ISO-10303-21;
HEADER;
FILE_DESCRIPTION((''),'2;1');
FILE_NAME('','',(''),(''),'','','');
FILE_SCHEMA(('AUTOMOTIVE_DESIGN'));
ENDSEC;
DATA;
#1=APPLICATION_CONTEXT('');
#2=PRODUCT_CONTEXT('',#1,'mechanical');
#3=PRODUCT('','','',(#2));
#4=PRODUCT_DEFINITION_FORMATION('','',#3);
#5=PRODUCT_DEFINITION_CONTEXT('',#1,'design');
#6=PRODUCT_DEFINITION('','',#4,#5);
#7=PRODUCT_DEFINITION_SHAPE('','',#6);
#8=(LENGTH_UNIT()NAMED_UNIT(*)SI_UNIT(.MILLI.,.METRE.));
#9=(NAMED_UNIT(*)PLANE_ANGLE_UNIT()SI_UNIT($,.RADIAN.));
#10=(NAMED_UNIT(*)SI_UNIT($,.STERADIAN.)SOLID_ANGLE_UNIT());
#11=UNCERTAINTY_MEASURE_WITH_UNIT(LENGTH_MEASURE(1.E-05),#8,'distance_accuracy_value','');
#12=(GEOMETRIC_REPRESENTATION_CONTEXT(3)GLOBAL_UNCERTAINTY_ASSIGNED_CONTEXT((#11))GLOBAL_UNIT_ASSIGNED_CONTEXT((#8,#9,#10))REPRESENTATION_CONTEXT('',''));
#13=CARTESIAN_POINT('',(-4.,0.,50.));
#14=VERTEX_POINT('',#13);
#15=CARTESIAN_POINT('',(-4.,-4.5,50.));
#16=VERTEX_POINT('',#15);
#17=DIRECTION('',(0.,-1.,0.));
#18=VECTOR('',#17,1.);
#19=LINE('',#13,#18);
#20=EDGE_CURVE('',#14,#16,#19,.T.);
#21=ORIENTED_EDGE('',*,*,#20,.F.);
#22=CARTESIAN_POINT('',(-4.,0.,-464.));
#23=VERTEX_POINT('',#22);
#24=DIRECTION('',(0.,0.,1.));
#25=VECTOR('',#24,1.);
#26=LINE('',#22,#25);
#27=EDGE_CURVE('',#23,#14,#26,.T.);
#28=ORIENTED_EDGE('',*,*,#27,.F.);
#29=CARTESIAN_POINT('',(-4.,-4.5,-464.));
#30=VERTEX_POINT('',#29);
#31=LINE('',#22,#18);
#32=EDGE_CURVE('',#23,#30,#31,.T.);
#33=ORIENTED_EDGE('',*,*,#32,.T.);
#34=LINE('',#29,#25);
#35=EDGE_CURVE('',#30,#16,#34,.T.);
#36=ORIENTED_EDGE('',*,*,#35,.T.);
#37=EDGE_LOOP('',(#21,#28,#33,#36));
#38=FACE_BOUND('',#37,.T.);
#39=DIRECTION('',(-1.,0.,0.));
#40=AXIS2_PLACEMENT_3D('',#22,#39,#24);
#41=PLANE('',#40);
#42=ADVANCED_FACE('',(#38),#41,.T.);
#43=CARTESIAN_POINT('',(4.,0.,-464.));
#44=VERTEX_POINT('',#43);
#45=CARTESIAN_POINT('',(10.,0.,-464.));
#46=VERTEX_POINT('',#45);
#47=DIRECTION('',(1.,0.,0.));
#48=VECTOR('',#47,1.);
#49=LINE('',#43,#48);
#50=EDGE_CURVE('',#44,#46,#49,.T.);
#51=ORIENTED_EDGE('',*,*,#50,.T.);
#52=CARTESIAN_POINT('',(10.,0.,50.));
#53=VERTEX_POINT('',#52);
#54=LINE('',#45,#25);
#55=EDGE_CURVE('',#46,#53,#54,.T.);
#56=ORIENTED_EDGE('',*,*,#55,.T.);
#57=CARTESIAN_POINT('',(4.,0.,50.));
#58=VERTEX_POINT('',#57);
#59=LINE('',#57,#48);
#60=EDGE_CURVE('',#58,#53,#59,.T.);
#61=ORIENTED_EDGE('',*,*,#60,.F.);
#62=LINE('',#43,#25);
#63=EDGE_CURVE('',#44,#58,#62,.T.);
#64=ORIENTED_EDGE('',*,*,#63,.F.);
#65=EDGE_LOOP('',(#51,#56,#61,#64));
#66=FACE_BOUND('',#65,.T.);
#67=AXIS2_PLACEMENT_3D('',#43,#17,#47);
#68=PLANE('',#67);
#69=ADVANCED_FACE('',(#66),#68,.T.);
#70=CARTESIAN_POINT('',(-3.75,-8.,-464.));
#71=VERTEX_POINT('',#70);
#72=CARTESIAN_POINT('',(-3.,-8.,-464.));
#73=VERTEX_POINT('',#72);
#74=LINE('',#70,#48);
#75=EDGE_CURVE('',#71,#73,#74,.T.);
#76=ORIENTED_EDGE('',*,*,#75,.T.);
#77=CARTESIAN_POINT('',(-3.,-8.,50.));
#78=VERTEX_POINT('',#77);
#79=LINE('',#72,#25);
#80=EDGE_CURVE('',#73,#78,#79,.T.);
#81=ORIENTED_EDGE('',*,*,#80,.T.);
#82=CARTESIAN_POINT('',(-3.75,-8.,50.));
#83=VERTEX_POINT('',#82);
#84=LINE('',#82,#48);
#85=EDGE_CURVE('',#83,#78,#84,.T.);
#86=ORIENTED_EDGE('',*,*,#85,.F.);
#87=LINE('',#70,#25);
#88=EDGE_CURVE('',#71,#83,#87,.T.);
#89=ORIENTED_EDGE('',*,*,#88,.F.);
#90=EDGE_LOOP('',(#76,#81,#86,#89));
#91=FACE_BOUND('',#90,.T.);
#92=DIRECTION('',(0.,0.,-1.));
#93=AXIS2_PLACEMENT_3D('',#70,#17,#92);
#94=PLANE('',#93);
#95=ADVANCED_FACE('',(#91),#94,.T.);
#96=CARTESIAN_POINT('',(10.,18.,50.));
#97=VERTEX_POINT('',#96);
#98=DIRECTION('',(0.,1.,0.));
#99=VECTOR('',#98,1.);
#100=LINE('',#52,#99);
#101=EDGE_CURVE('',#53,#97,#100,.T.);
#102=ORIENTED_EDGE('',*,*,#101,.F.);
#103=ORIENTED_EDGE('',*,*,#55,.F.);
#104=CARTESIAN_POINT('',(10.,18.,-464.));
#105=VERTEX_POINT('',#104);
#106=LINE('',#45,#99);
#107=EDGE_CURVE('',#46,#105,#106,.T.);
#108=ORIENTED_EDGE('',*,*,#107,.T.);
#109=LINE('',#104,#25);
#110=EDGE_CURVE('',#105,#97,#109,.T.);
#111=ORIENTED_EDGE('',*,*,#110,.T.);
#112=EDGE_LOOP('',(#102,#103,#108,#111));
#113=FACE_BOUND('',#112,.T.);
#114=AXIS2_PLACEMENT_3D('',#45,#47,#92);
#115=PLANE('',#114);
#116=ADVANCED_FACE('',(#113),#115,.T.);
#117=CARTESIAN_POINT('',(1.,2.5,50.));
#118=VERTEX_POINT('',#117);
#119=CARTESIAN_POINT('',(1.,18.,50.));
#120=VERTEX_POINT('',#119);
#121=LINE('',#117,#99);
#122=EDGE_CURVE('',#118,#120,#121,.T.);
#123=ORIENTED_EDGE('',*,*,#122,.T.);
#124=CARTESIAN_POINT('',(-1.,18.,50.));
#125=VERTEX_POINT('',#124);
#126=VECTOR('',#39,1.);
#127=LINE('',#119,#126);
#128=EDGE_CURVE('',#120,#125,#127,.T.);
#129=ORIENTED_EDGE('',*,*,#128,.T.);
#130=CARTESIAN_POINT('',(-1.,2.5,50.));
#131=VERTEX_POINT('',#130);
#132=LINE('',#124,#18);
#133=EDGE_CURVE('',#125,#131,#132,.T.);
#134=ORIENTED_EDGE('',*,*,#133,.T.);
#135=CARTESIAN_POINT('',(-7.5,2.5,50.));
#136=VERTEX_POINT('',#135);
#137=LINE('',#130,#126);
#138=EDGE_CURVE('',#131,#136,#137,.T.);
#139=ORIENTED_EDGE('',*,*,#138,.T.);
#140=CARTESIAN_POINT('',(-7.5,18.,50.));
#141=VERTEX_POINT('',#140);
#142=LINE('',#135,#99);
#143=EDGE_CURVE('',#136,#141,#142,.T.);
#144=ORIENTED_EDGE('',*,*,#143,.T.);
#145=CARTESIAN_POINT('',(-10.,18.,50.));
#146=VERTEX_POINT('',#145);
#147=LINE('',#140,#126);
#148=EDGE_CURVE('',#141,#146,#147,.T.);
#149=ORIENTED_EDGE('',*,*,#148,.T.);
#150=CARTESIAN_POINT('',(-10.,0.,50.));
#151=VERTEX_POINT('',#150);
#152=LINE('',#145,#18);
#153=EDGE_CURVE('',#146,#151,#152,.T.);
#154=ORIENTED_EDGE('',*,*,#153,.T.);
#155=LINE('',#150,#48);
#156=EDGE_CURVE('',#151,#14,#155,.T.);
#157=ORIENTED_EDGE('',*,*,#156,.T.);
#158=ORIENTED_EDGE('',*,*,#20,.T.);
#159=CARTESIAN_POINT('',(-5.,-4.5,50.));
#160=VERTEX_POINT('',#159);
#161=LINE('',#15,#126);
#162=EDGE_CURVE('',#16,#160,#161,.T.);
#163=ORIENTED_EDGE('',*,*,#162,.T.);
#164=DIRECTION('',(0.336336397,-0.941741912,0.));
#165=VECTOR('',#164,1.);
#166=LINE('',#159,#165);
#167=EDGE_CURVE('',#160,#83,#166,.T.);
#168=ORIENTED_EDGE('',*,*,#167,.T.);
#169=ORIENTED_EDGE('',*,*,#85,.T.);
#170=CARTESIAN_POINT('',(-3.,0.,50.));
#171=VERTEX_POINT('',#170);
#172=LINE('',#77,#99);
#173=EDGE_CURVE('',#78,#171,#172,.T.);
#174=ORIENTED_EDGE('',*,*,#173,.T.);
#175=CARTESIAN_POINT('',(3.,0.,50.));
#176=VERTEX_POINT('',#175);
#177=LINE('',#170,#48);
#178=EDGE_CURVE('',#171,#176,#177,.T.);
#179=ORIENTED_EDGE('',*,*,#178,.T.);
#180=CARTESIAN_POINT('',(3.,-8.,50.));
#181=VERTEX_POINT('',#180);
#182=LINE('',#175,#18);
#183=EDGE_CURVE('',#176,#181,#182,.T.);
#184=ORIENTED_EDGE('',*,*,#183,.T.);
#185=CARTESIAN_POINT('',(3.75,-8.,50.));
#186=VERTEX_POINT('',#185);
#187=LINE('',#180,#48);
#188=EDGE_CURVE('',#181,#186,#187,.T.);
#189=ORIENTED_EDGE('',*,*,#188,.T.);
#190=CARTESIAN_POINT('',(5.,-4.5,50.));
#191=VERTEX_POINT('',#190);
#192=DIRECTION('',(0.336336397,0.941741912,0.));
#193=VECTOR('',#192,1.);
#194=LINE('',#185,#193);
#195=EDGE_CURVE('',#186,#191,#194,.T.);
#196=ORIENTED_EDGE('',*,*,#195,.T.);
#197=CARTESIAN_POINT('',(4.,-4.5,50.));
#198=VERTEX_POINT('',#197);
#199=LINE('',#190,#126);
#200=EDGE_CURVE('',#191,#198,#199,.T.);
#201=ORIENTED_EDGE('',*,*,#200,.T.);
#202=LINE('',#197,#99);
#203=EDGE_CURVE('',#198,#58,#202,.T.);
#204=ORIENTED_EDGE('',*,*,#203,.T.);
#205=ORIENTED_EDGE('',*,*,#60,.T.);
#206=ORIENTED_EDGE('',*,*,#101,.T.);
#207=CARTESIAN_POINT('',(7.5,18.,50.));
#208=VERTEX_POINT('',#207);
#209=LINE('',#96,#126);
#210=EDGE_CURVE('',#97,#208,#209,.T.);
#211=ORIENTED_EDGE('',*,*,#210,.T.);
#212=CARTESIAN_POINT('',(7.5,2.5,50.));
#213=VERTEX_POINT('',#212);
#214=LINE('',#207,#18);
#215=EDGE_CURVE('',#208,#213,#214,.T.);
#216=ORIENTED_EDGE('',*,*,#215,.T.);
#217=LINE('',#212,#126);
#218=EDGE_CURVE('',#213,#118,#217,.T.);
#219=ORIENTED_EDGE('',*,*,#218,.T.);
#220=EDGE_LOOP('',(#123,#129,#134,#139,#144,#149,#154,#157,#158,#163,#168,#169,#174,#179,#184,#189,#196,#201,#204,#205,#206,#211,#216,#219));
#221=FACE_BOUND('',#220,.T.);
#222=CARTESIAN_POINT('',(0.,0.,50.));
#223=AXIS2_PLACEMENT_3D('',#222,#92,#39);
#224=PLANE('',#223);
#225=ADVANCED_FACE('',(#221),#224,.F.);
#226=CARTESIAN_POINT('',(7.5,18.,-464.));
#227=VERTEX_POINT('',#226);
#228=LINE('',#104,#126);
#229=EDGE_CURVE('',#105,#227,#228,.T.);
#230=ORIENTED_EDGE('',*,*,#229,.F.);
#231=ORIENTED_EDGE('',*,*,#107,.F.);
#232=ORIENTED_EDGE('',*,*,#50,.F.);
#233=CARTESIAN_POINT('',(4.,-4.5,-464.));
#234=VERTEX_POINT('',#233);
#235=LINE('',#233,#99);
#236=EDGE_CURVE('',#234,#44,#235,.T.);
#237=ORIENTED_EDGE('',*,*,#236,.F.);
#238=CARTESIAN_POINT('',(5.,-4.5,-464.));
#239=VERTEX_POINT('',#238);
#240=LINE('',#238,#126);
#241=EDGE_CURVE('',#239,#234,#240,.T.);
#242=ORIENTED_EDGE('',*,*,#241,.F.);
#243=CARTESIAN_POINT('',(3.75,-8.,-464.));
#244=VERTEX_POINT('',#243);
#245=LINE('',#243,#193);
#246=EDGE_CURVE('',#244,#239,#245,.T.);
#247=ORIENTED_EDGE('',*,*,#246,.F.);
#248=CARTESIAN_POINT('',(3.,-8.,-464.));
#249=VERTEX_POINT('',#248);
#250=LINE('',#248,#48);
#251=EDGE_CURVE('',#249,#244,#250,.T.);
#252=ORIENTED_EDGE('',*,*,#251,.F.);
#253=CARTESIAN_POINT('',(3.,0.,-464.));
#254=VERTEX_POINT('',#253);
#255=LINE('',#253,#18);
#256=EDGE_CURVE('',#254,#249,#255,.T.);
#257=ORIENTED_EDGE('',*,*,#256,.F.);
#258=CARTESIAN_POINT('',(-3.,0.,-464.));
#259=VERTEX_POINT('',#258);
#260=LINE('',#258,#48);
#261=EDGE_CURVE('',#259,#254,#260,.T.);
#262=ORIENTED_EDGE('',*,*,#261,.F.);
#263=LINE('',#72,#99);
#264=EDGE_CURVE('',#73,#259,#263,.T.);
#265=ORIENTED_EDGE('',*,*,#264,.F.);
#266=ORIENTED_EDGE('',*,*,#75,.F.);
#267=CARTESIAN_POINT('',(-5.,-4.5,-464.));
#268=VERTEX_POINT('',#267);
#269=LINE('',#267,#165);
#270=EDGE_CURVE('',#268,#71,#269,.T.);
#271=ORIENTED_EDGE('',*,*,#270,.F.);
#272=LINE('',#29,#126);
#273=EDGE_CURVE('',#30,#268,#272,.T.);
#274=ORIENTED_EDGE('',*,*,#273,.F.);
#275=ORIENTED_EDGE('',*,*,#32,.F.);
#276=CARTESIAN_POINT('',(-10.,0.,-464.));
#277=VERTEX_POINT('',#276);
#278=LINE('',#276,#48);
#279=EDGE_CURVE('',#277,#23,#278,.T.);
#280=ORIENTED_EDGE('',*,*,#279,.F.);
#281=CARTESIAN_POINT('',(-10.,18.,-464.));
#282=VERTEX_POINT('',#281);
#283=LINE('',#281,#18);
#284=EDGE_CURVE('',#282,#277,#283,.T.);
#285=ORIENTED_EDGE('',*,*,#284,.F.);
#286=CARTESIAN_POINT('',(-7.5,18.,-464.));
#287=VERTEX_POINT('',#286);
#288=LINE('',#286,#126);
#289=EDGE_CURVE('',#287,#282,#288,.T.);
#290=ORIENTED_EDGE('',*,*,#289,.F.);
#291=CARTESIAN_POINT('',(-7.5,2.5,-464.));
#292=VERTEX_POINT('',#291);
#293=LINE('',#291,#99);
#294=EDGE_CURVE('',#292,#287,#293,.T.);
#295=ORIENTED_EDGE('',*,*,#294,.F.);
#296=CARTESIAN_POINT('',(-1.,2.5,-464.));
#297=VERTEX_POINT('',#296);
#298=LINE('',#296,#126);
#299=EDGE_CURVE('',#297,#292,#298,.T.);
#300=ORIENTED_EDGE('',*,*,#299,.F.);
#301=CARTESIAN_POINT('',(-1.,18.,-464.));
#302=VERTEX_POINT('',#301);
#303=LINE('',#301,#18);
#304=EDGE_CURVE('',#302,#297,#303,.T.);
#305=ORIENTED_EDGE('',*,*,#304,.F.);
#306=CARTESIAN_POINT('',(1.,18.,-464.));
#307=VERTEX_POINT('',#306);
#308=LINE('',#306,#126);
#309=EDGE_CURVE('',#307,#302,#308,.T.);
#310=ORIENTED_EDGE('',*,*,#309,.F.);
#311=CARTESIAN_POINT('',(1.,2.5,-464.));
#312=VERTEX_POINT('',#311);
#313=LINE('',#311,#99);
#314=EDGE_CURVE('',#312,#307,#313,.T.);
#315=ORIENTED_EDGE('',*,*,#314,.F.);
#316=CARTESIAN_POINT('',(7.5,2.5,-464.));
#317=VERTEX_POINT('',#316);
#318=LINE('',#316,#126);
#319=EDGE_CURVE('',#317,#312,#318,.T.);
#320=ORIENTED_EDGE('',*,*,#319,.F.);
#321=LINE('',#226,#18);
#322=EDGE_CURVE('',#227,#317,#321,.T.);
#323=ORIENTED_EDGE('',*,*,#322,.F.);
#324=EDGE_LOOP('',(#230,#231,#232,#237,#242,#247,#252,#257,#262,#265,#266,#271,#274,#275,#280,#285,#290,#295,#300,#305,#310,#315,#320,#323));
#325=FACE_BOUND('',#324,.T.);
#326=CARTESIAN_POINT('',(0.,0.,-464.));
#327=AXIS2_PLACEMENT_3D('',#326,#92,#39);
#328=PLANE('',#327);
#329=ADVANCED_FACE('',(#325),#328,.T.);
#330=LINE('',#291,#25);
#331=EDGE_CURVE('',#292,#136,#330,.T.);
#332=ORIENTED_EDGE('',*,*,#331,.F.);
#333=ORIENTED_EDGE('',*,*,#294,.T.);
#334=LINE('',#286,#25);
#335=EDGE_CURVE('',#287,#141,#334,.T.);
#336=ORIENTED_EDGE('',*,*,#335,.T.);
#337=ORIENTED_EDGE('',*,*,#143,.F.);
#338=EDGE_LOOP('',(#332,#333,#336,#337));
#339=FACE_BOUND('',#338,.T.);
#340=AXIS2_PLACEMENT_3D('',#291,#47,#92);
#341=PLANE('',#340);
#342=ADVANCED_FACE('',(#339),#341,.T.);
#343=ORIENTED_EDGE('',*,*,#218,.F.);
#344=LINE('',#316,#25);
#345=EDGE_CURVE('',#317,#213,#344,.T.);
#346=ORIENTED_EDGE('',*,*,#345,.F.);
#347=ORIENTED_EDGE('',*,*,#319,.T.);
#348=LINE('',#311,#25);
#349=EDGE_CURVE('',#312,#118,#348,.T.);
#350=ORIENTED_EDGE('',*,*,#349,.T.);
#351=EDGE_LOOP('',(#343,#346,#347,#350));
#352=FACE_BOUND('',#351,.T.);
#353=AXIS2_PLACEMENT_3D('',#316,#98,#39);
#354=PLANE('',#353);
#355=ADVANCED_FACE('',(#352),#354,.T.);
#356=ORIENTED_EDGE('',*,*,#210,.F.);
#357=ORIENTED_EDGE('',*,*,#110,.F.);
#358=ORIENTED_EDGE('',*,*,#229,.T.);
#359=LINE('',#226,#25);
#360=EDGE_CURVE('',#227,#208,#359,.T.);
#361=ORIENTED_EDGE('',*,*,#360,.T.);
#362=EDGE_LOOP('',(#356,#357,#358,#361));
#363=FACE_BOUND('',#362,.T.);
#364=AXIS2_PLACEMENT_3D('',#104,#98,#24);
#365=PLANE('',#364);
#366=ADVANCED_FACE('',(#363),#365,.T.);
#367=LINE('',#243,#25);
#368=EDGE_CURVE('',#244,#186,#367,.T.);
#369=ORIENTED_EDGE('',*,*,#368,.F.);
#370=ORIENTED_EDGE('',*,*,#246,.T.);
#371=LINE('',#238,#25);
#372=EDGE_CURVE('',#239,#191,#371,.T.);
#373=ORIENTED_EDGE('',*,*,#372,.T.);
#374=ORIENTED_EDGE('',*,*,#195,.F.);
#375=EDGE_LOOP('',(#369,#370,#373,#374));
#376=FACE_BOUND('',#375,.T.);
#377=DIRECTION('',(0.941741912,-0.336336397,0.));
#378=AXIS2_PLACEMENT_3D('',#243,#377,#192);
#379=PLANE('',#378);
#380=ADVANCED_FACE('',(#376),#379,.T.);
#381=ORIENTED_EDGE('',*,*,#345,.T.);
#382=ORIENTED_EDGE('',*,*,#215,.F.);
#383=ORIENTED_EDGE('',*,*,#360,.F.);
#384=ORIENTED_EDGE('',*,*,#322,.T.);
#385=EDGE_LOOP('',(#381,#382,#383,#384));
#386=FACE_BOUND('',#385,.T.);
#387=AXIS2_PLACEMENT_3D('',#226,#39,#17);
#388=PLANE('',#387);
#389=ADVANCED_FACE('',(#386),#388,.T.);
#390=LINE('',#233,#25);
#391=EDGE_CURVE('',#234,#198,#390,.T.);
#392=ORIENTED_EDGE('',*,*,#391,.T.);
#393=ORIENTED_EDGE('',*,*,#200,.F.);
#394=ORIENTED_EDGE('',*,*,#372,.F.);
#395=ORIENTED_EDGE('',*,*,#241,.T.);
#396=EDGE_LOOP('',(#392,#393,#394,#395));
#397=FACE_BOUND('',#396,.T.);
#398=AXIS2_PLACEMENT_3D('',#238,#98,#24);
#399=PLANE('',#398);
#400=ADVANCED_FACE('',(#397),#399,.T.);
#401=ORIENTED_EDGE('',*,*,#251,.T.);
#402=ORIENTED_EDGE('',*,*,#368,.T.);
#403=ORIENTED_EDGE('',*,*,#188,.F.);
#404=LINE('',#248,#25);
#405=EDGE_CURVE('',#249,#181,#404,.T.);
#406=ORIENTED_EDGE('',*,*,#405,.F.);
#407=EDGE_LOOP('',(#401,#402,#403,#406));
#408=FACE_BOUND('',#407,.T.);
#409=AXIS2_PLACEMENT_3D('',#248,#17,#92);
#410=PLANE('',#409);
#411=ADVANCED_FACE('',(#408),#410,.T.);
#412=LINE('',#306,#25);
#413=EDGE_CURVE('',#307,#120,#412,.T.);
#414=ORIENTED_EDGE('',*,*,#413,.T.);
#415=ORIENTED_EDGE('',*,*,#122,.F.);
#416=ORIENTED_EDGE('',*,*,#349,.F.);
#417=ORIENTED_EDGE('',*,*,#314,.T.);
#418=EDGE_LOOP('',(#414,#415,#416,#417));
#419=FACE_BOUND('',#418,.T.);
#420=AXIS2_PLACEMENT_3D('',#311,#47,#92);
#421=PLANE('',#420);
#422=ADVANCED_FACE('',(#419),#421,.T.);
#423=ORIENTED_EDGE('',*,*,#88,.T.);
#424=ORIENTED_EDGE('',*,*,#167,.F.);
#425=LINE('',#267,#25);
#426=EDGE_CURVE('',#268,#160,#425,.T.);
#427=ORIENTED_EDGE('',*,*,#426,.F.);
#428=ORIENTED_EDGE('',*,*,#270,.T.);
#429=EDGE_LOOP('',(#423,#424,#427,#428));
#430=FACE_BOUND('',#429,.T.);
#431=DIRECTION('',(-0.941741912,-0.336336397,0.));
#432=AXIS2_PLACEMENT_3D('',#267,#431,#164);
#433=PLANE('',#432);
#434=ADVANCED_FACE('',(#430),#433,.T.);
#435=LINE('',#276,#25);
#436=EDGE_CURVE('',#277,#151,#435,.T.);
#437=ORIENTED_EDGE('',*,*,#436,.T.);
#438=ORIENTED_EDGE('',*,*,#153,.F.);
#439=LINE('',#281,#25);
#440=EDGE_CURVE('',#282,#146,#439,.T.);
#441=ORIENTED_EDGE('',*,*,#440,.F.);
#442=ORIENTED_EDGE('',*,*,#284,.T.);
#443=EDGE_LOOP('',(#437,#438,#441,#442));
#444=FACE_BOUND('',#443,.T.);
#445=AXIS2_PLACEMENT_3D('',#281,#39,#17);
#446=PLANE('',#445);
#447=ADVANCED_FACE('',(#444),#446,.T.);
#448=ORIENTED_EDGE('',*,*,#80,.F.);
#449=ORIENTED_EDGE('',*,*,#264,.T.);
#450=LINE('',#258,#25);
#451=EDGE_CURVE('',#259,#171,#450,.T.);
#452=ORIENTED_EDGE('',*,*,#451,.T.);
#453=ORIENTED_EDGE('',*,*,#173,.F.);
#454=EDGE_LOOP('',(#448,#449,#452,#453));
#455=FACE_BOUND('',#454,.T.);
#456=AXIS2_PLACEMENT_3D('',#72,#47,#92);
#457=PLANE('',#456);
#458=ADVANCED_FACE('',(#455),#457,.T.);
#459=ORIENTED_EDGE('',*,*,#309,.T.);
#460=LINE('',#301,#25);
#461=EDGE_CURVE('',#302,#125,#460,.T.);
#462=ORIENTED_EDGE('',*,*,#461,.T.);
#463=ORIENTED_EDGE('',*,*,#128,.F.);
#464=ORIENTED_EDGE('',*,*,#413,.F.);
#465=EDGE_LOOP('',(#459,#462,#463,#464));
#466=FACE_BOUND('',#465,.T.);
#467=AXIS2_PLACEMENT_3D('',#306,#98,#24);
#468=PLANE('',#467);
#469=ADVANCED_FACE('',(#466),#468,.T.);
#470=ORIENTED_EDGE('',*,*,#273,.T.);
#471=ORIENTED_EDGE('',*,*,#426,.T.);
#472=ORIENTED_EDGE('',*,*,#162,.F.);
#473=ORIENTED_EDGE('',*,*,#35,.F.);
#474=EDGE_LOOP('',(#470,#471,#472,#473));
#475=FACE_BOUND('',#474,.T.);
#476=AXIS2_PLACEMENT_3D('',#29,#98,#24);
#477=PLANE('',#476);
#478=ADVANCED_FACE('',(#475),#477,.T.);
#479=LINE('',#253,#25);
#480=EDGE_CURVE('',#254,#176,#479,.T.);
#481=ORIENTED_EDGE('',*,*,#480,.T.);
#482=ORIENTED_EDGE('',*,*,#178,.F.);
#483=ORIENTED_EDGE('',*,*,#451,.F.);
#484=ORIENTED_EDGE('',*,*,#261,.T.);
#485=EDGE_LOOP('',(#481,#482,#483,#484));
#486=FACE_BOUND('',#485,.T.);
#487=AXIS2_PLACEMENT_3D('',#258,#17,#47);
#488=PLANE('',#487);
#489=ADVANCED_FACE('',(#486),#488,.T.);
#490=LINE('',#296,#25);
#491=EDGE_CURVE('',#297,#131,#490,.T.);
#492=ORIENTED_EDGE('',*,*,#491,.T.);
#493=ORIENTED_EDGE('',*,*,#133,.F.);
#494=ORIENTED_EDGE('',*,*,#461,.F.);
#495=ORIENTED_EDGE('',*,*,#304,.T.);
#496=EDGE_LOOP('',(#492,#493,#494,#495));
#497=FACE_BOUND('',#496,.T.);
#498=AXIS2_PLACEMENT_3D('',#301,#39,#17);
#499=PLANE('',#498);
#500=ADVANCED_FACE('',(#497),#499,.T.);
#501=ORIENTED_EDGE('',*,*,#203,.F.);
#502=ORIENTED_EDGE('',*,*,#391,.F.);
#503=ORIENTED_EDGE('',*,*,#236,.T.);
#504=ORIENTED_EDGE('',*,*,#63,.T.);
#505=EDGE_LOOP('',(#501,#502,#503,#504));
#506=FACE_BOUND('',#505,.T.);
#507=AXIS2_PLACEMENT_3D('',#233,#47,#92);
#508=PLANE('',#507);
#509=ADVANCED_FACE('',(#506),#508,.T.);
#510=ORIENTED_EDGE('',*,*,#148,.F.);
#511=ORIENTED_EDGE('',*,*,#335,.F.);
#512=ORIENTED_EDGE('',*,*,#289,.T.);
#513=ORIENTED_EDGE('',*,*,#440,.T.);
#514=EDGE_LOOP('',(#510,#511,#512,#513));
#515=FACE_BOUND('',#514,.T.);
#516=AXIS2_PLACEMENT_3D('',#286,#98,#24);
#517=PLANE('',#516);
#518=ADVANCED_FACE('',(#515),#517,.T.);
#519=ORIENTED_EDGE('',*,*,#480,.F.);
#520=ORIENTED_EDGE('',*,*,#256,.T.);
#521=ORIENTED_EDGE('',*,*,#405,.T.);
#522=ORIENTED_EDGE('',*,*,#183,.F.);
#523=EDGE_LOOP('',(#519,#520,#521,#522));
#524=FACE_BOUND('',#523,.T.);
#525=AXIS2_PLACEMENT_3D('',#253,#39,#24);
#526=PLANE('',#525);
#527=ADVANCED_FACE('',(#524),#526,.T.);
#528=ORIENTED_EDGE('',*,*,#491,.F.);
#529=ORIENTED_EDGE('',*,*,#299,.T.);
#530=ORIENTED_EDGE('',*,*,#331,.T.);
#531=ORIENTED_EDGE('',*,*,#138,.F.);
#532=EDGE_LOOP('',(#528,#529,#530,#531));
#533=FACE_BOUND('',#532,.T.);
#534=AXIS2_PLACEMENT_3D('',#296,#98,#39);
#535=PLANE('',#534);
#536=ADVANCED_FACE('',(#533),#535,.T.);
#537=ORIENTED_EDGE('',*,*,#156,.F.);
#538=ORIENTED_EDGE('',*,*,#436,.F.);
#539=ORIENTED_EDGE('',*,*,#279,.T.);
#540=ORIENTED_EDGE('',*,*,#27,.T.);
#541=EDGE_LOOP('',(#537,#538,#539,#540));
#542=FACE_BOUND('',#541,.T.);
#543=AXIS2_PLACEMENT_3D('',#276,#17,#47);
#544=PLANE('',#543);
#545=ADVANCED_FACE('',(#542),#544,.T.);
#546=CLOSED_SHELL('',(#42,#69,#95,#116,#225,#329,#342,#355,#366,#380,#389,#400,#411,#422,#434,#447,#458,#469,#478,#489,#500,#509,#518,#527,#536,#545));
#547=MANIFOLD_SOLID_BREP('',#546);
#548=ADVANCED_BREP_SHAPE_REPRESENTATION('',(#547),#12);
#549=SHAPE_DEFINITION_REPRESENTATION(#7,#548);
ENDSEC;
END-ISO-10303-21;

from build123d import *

# Parameters (mm, degrees)
BOSS_EXTRU_1_DEPTH = 514


with BuildPart() as part:
    # Esquisse1 → Boss.-Extru.1 (new body)
    with BuildSketch(Plane.XY.offset(50)):
        Polygon((-1, 2.5), (-7.5, 2.5), (-7.5, 17.999999998), (-10, 17.999999998), (-10, 0), (-4, 0), (-4, -4.5), (-5, -4.5), (-3.75, -8), (-3, -8), (-3, 0), (3, 0), (3, -8), (3.75, -8), (5, -4.5), (4, -4.5), (4, 0), (10, 0), (10, 17.999999998), (7.5, 17.999999998), (7.5, 2.5), (1, 2.5), (1, 17.999999998), (-1, 17.999999998), align=None)
    extrude(amount=-BOSS_EXTRU_1_DEPTH)


solid = part.part
